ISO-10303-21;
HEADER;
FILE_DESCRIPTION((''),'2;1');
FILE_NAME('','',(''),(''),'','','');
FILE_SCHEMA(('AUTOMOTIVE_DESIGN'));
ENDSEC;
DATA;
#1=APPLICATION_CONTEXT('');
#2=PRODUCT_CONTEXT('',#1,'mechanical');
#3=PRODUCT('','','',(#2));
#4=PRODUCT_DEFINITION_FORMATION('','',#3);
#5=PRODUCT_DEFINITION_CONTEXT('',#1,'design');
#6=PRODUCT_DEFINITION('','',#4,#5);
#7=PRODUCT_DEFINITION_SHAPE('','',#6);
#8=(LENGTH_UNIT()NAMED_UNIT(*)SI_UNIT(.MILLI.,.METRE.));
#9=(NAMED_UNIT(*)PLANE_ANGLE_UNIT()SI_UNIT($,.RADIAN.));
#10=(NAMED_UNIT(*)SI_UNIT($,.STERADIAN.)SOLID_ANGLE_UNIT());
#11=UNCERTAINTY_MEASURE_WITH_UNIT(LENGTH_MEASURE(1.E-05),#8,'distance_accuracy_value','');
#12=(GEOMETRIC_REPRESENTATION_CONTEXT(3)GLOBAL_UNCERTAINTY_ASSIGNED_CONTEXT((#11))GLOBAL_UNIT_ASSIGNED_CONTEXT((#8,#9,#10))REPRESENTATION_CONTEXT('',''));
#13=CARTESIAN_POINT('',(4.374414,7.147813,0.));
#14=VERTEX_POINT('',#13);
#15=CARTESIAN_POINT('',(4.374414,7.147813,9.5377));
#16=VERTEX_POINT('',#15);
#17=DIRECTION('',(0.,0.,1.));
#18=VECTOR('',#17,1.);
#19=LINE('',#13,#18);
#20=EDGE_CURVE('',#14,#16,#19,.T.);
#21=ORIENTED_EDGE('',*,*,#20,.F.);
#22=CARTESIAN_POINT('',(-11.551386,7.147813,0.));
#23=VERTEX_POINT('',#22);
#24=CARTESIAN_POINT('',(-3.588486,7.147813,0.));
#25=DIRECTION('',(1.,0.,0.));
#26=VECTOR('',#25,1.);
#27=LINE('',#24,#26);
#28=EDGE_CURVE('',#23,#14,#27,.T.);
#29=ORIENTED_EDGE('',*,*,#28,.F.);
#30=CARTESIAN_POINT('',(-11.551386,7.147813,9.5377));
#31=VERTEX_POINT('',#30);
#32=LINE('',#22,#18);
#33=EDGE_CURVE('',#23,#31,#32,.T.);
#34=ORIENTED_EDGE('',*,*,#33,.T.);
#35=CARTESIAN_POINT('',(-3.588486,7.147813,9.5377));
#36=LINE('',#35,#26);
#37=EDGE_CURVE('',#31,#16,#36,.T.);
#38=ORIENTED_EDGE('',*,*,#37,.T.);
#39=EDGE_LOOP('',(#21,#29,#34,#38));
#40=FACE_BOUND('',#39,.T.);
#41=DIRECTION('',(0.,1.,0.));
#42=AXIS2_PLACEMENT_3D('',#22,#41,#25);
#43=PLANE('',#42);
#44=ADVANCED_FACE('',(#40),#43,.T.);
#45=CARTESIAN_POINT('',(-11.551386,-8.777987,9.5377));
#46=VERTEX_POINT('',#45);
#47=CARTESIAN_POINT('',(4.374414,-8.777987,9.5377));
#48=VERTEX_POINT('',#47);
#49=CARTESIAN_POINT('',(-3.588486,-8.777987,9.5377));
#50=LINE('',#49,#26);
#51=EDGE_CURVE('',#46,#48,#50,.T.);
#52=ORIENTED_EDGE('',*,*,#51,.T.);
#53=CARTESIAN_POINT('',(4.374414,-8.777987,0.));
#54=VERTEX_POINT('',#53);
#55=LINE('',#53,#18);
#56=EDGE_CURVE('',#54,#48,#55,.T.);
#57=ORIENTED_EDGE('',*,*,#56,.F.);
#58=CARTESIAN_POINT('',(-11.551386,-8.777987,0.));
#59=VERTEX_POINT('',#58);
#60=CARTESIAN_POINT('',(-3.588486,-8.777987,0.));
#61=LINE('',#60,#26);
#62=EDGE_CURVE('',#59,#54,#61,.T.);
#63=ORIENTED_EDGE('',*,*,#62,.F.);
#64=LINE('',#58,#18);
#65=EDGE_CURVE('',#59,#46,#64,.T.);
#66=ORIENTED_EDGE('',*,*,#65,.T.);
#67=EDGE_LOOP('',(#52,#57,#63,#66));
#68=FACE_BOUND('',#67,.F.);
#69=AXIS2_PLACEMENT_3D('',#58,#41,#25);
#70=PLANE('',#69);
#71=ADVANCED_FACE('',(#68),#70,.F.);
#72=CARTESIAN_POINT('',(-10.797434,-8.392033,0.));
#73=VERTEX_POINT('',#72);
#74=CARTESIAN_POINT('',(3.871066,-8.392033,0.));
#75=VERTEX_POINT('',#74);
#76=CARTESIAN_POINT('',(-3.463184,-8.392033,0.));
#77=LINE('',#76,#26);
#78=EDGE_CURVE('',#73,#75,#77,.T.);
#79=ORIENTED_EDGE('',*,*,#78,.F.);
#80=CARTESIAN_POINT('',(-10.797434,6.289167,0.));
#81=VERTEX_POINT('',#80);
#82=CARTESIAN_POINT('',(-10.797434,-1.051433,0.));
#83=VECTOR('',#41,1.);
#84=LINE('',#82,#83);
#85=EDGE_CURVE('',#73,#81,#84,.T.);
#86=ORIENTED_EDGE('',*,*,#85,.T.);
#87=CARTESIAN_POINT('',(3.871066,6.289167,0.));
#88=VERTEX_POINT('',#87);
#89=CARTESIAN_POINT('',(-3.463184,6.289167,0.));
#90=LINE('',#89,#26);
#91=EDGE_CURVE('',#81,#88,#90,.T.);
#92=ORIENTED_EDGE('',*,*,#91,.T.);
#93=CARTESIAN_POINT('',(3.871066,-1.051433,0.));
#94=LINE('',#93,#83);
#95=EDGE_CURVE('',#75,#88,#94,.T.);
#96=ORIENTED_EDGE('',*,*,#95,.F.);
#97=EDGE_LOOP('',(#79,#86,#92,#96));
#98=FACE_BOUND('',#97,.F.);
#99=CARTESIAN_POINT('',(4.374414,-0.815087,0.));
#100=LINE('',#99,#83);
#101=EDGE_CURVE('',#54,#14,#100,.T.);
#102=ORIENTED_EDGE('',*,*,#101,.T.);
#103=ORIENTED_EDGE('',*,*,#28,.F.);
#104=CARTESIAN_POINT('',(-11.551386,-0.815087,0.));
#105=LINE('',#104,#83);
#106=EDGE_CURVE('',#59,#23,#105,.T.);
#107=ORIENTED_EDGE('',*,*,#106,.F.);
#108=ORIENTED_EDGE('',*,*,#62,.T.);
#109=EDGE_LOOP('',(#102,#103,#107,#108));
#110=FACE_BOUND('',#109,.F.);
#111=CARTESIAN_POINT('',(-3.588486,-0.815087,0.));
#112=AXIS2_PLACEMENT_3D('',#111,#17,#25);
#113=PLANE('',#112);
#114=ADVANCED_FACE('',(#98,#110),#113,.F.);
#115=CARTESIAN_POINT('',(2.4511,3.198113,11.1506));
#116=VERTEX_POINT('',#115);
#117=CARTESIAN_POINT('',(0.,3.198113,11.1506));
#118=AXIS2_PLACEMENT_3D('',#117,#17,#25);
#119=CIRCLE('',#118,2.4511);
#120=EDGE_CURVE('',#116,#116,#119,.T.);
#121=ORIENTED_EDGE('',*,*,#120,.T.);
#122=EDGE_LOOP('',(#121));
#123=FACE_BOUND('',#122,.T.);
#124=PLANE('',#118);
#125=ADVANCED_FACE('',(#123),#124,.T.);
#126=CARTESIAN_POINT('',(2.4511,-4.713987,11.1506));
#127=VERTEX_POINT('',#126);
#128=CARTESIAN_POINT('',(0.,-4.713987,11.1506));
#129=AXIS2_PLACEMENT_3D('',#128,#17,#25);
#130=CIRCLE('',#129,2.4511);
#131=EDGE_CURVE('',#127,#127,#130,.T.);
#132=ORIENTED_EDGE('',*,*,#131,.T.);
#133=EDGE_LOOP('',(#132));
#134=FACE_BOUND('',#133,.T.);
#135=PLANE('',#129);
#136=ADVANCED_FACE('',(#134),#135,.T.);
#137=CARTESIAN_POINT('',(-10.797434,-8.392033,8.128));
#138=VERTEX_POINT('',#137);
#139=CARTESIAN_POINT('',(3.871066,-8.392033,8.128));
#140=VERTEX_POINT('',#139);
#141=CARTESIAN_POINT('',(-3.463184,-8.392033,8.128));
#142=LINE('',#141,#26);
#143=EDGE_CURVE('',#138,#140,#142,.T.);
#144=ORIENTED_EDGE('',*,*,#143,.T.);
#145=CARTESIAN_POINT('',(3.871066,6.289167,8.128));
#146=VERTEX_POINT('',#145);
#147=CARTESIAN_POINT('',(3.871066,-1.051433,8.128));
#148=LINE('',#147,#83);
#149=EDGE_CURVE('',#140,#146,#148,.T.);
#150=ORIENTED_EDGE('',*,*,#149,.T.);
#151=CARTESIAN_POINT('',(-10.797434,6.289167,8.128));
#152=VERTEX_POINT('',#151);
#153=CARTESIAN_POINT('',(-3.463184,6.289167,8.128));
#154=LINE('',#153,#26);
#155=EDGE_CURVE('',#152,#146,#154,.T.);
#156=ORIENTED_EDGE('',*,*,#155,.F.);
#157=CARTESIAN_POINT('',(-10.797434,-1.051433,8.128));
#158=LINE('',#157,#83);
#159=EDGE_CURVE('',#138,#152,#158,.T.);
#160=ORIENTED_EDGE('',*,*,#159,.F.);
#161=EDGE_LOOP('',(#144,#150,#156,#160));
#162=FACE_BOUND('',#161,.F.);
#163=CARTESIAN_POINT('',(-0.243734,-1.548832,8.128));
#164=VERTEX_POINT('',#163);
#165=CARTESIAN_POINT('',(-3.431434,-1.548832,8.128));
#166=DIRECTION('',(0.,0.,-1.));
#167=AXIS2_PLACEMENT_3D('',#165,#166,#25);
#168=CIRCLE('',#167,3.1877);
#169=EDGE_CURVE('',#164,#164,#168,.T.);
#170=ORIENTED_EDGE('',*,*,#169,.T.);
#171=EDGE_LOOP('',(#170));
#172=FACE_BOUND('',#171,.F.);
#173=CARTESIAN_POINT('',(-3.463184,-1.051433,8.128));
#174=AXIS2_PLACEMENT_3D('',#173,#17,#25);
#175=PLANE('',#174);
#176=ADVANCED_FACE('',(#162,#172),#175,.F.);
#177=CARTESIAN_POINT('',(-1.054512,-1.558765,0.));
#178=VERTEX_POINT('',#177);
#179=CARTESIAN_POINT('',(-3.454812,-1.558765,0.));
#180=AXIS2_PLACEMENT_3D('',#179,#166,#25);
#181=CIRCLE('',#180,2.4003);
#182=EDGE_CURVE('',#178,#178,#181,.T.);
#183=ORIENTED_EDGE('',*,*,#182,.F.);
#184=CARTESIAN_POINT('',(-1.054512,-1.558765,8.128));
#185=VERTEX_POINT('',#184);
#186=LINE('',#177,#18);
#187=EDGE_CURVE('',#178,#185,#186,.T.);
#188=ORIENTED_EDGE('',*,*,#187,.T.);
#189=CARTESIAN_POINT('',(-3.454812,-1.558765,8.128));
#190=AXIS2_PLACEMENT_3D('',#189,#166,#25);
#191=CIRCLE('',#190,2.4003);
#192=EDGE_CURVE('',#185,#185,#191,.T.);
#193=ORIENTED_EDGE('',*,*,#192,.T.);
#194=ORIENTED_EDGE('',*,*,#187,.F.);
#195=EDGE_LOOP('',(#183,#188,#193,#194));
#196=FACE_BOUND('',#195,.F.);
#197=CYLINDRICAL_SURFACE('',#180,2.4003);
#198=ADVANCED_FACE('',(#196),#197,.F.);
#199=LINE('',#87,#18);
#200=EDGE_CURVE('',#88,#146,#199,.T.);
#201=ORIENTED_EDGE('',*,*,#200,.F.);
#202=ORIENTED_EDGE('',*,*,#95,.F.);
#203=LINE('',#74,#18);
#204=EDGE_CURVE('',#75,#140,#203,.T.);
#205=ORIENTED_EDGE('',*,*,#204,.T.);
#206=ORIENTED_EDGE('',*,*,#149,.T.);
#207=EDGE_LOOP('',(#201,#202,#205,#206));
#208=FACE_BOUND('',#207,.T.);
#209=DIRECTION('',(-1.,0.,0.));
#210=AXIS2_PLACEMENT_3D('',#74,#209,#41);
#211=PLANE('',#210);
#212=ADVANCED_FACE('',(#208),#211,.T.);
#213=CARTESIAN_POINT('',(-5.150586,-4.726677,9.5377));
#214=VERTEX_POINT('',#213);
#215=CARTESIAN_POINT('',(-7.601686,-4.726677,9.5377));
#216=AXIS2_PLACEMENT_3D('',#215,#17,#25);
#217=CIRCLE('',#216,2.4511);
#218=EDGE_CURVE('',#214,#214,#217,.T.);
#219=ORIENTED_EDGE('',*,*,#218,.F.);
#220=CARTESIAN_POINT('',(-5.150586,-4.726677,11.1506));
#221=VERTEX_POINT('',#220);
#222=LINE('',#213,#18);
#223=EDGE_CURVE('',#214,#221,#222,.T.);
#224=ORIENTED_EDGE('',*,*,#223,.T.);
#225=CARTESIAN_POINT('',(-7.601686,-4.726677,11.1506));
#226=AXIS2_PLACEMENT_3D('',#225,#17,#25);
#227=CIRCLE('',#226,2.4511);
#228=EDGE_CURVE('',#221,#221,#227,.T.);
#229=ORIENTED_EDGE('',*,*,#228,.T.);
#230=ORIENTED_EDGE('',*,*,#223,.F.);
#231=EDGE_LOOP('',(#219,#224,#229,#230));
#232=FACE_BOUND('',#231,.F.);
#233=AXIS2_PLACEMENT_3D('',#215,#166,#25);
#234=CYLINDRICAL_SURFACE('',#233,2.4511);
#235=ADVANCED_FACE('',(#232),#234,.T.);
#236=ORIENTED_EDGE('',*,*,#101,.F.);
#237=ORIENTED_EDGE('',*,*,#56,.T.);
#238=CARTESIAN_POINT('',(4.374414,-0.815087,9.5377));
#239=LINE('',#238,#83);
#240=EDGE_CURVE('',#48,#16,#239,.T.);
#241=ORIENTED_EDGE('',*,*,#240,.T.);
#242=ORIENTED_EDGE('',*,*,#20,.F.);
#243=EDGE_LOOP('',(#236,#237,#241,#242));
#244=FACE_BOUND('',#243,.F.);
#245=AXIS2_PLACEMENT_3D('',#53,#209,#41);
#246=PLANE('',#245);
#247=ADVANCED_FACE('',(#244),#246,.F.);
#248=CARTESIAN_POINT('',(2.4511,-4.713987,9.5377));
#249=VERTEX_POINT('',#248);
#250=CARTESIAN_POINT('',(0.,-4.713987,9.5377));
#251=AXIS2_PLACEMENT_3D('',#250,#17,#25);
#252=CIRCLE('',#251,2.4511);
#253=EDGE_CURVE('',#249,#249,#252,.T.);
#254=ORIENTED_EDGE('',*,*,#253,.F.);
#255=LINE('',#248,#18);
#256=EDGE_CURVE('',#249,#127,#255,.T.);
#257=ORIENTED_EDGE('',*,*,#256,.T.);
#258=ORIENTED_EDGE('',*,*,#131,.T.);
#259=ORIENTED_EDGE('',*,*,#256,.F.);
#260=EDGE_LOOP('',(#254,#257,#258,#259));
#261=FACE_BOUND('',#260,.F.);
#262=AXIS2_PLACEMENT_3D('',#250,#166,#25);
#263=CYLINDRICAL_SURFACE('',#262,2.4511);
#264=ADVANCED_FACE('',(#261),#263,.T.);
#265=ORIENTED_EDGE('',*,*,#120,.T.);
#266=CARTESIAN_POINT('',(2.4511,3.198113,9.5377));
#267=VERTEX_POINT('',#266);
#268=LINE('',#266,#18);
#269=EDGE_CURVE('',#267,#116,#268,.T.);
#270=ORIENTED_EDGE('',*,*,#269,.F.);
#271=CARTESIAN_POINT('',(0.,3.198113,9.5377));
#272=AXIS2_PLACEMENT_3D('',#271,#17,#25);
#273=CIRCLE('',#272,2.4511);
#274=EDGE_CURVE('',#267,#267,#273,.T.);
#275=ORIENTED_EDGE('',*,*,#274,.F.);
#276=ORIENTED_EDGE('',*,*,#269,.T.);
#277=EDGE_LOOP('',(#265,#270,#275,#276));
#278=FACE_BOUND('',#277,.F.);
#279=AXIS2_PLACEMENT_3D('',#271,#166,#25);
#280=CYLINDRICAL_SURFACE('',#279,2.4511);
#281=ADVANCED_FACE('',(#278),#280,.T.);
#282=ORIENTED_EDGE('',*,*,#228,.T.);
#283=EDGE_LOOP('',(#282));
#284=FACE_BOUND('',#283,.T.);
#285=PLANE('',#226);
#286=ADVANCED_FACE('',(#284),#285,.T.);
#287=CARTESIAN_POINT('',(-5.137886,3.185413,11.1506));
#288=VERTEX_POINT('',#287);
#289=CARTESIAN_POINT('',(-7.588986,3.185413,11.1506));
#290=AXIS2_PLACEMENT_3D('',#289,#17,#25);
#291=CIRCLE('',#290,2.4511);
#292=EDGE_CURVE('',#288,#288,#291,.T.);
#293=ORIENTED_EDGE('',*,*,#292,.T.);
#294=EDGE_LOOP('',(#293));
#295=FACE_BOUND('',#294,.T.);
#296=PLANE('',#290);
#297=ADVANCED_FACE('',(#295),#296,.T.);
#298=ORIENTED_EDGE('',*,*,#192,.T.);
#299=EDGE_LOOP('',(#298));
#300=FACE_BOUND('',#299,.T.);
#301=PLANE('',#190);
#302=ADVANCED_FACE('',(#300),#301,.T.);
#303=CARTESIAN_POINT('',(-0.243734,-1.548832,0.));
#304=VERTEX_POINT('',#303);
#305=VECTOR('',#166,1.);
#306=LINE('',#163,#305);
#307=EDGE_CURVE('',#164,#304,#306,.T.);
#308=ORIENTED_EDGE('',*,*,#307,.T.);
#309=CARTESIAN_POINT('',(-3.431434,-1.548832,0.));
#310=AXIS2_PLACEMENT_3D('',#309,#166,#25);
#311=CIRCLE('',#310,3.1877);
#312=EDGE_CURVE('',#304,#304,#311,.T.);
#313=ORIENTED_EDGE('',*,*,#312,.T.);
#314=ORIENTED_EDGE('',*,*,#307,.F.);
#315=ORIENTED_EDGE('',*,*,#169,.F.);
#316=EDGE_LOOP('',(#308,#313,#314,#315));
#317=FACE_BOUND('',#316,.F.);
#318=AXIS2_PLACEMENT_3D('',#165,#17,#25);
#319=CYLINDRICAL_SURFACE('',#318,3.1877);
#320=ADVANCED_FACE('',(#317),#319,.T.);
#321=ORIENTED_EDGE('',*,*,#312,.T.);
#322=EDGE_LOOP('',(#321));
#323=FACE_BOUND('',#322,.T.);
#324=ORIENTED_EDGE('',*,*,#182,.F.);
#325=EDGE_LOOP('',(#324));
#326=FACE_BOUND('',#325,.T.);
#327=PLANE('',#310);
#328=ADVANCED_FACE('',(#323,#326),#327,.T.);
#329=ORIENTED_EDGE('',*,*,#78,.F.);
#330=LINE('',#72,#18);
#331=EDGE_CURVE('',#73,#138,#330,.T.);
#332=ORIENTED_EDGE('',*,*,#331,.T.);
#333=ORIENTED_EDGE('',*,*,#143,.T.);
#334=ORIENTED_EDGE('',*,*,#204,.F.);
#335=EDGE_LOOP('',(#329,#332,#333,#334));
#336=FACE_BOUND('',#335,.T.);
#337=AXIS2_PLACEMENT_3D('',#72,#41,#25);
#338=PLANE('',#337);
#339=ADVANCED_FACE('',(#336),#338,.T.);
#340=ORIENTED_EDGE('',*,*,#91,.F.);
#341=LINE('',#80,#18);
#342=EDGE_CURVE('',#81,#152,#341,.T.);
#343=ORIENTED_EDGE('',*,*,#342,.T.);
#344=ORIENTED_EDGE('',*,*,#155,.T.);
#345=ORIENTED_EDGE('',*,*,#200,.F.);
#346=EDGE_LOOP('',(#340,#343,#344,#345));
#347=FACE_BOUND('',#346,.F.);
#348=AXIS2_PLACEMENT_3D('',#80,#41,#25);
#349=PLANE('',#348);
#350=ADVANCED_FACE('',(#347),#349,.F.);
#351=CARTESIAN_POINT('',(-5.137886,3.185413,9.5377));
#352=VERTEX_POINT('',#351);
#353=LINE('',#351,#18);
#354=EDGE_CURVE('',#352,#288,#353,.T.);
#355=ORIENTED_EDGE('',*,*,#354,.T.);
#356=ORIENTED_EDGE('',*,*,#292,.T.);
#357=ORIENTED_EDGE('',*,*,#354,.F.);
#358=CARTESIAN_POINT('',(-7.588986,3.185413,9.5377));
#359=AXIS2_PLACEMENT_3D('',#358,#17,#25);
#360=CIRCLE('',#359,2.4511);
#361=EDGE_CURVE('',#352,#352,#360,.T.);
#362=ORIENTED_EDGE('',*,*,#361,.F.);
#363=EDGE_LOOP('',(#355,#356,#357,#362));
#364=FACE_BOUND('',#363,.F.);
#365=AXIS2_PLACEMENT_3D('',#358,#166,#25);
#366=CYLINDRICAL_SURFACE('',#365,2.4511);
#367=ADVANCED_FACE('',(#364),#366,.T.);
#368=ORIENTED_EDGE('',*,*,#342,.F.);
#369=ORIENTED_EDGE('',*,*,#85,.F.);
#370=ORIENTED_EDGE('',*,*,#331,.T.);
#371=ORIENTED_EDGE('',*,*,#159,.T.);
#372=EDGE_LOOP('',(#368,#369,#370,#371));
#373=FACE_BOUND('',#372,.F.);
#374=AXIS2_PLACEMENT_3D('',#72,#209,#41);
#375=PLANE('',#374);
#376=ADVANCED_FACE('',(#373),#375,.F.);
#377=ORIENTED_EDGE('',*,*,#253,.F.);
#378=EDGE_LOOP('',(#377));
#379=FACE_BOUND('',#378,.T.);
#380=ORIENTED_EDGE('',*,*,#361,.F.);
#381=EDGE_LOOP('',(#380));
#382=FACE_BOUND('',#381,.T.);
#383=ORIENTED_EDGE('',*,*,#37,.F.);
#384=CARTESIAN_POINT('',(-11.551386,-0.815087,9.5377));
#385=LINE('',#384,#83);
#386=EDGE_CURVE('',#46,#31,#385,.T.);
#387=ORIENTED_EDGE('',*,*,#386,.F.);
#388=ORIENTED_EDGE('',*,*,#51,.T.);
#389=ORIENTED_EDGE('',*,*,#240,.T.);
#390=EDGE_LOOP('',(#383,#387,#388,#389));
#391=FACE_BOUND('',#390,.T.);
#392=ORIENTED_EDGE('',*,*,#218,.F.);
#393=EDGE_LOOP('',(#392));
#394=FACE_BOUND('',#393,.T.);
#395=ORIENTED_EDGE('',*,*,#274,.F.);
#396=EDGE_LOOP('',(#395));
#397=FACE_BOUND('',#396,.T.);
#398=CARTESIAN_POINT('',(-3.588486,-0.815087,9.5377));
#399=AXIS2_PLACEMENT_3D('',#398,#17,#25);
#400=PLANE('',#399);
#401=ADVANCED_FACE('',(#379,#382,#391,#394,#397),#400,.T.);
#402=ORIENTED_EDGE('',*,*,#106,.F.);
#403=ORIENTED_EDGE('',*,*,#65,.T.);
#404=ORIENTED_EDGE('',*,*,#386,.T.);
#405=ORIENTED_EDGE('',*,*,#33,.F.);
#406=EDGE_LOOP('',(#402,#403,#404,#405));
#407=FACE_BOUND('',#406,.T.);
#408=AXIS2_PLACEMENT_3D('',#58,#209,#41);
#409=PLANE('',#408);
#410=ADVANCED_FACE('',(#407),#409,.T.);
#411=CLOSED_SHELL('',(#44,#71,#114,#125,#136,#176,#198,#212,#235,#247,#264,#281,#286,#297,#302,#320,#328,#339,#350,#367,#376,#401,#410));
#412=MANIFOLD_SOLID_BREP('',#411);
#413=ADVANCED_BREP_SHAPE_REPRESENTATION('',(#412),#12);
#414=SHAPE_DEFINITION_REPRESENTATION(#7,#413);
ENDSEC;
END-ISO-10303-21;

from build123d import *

# Parameters (mm, degrees)
F0_W      = 15.9258
F0_H      = 15.9258
F1_DEPTH  = 9.5377
F2_R      = 2.4511
F3_DEPTH  = 1.6129
F4_DEPTH  = 1.6129
F5_DEPTH  = 1.6129
F6_DEPTH  = 1.6129
F7_R      = 3.18135
F8_DEPTH  = 6.5151
F9_W      = 14.6685
F9_H      = 14.6812
F10_DEPTH = 8.128
F11_R     = 3.20421
F12_DEPTH = 6.858
F13_R     = 2.4638
F14_DEPTH = 6.858
F16_R     = 3.1877
F17_DEPTH = 8.128
F18_R     = 2.4003
F19_DEPTH = 8.128


with BuildPart() as f1:
    # F0 (on Top) → F1 (new body)
    with BuildSketch(Plane.XY):
        with Locations((-3.588486, -0.815087)):
            Rectangle(F0_W, F0_H)
    extrude(amount=F1_DEPTH)

    # F2 (on face) → F3 (join)
    with BuildSketch(Plane.XY.offset(9.5377)):
        with Locations((-7.601686, -4.726677)):
            Circle(F2_R)
    extrude(amount=F3_DEPTH)

    # F2 (on face) → F4 (join)
    with BuildSketch(Plane.XY.offset(9.5377)):
        with Locations((0, -4.713987)):
            Circle(F2_R)
    extrude(amount=F4_DEPTH)

    # F2 (on face) → F5 (join)
    with BuildSketch(Plane.XY.offset(9.5377)):
        with Locations((-7.588986, 3.185413)):
            Circle(F2_R)
    extrude(amount=F5_DEPTH)

    # F2 (on face) → F6 (join)
    with BuildSketch(Plane.XY.offset(9.5377)):
        with Locations((0, 3.198113)):
            Circle(F2_R)
    extrude(amount=F6_DEPTH)

    # F7 (on face) → F8 (cut)
    with BuildSketch(Plane(origin=(0, 0, 0), x_dir=(1, 0, 0), z_dir=(0, 0, -1))):
        with Locations((-3.505936, 0.897213)):
            Circle(F7_R)
    extrude(amount=-F8_DEPTH, mode=Mode.SUBTRACT)

    # F9 (on face) → F10 (cut)
    with BuildSketch(Plane.XY):
        with Locations((-3.463184, -1.051433)):
            Rectangle(F9_W, F9_H)
    extrude(amount=F10_DEPTH, mode=Mode.SUBTRACT)

    # F16 (on face) → F17 (join)
    with BuildSketch(Plane(origin=(0, 0, 8.128), x_dir=(1, 0, 0), z_dir=(0, 0, -1))):
        with Locations((-3.431434, 1.548832)):
            Circle(F16_R)
    extrude(amount=F17_DEPTH)

    # F18 (on face) → F19 (cut)
    with BuildSketch(Plane(origin=(0, 0, 0), x_dir=(1, 0, 0), z_dir=(0, 0, -1))):
        with Locations((-3.454812, 1.558765)):
            Circle(F18_R)
    extrude(amount=-F19_DEPTH, mode=Mode.SUBTRACT)


with BuildPart() as f12:
    # F11 (on Top) → F12 (new body)
    with BuildSketch(Plane.XY):
        with Locations((-3.520086, -0.851917)):
            Circle(F11_R)
    extrude(amount=F12_DEPTH)

    # F13 (on face) → F14 (cut)
    with BuildSketch(Plane(origin=(0, 0, 0), x_dir=(1, 0, 0), z_dir=(0, 0, -1))):
        with Locations((-3.526228, 0.831219)):
            Circle(F13_R)
    extrude(amount=-F14_DEPTH, mode=Mode.SUBTRACT)


solid = f1.part
